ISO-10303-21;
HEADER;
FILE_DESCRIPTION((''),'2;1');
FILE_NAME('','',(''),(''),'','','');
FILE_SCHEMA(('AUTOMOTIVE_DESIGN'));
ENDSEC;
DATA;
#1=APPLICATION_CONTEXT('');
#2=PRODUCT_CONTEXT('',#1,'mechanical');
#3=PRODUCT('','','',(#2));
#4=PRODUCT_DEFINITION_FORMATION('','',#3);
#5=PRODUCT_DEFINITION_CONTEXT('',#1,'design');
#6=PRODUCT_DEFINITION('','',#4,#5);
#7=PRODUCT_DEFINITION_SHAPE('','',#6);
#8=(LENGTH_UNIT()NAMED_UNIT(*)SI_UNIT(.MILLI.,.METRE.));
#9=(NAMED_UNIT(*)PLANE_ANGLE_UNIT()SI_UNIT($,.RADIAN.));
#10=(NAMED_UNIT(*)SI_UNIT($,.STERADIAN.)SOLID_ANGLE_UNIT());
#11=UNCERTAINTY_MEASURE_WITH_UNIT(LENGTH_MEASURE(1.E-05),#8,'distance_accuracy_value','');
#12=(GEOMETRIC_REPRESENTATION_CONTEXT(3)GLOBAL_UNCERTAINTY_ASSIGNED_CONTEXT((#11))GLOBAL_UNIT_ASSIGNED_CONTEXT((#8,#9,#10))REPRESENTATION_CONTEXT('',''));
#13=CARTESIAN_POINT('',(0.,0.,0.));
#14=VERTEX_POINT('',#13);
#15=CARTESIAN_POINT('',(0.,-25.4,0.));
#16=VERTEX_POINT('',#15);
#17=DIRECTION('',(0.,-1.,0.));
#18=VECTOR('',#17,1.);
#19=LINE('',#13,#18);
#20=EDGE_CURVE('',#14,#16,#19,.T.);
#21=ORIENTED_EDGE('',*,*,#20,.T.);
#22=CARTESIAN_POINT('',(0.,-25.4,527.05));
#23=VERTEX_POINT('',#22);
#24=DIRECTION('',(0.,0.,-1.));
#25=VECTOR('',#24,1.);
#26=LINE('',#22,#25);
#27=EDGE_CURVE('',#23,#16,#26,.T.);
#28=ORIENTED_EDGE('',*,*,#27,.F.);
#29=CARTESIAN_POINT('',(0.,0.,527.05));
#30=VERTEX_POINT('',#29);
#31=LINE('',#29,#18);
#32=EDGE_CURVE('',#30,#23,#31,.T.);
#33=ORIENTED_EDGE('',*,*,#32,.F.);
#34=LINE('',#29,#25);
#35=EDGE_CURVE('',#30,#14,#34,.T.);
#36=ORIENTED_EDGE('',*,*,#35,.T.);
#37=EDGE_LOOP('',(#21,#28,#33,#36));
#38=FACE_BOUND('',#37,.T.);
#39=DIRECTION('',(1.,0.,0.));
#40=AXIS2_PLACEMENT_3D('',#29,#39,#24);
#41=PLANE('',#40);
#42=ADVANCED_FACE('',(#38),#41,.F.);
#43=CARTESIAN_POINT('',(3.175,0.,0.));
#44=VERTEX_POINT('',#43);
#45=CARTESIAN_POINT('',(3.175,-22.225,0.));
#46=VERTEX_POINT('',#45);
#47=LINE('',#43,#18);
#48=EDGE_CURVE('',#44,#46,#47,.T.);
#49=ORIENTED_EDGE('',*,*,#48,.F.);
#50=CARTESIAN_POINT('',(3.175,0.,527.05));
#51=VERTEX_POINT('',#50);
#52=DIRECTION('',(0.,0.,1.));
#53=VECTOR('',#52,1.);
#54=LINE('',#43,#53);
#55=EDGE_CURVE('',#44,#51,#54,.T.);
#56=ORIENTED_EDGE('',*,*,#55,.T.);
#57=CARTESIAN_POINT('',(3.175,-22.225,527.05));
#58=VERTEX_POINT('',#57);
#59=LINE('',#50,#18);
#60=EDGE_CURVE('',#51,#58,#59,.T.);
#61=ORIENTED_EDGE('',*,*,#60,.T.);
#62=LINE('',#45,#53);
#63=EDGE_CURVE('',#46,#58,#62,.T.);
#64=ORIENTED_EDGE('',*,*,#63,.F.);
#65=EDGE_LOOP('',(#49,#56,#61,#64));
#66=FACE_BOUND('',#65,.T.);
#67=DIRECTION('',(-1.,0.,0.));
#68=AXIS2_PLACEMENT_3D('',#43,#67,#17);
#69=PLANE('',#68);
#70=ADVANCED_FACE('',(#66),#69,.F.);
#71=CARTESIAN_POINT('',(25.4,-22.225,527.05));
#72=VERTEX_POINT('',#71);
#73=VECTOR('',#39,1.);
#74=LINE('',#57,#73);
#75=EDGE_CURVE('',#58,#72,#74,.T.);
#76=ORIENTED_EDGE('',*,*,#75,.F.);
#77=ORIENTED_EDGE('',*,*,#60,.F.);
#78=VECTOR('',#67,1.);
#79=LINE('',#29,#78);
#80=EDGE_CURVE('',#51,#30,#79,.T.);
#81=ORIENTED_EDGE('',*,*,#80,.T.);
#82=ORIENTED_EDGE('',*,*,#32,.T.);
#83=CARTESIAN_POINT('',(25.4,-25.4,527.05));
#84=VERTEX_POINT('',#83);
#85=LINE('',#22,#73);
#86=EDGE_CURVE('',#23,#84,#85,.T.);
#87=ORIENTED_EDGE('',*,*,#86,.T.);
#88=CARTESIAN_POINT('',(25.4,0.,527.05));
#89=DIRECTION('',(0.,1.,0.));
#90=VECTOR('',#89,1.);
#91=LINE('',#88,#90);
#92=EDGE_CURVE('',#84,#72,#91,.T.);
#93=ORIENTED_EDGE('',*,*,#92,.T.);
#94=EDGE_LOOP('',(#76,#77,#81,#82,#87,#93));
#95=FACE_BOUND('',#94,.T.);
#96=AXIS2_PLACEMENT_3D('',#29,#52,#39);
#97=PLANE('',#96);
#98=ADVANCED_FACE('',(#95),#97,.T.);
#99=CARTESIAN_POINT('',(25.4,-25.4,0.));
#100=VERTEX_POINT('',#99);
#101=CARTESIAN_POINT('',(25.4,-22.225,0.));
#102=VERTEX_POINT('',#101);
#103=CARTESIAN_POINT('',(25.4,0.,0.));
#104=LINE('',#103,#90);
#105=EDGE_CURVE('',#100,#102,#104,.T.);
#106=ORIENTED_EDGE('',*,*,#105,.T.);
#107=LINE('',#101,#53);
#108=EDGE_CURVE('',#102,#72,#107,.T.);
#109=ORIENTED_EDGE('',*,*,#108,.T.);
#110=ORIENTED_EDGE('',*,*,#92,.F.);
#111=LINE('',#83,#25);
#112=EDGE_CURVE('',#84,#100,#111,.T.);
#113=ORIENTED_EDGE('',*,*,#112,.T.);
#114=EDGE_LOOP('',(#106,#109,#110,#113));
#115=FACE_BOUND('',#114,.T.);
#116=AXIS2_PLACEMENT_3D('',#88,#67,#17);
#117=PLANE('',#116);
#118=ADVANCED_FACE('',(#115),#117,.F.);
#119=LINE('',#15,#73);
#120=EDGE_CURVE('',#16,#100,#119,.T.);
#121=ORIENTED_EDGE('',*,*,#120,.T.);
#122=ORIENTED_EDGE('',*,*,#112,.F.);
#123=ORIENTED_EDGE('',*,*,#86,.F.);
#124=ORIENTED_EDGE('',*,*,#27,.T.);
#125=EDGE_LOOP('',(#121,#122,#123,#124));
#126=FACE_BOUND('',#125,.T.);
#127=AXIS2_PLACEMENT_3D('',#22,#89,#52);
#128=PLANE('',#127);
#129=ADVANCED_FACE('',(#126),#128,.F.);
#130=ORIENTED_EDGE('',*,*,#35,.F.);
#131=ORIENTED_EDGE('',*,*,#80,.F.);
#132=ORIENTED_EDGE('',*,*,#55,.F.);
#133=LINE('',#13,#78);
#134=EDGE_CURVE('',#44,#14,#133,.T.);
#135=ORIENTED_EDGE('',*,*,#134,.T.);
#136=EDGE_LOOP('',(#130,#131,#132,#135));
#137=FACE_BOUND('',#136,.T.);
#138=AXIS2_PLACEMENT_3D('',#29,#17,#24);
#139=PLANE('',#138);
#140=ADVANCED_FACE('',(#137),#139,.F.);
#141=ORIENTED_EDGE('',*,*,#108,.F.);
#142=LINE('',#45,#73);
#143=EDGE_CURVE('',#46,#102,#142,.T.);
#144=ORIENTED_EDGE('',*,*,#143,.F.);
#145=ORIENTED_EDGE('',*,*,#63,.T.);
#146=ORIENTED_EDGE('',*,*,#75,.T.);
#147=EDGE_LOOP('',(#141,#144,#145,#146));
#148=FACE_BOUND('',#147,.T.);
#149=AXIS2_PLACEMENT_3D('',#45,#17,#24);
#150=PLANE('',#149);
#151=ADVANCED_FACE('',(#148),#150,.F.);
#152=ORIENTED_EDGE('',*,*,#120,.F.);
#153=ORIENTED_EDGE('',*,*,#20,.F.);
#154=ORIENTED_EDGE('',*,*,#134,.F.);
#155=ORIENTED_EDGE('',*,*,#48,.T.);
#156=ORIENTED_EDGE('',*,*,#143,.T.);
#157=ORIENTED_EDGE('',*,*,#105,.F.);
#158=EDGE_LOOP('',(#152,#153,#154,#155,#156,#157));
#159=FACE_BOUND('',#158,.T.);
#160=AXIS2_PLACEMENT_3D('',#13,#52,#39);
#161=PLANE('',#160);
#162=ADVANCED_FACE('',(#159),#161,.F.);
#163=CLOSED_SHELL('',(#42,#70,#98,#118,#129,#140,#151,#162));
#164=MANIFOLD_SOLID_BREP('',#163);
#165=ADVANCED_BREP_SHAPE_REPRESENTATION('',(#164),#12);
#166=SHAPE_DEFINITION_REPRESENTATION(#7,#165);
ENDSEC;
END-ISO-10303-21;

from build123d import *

# Parameters (mm, degrees)
SKETCH1_W           = 25.4
SKETCH1_H           = 25.4
BOSS_EXTRUDE1_DEPTH = 527.05
SKETCH2_W           = 22.225
SKETCH2_H           = 22.225
CUT_EXTRUDE1_DEPTH  = 529.272678169


with BuildPart() as part:
    # Sketch1 → Boss-Extrude1 (new body)
    with BuildSketch(Plane.XY):
        with Locations((12.7, -12.7)):
            Rectangle(SKETCH1_W, SKETCH1_H)
    extrude(amount=BOSS_EXTRUDE1_DEPTH)

    # Sketch2 → Cut-Extrude1 (cut, through all)
    with BuildSketch(Plane.XY.offset(527.05)):
        with Locations((14.2875, -11.1125)):
            Rectangle(SKETCH2_W, SKETCH2_H)
    extrude(amount=-CUT_EXTRUDE1_DEPTH, mode=Mode.SUBTRACT)


solid = part.part
